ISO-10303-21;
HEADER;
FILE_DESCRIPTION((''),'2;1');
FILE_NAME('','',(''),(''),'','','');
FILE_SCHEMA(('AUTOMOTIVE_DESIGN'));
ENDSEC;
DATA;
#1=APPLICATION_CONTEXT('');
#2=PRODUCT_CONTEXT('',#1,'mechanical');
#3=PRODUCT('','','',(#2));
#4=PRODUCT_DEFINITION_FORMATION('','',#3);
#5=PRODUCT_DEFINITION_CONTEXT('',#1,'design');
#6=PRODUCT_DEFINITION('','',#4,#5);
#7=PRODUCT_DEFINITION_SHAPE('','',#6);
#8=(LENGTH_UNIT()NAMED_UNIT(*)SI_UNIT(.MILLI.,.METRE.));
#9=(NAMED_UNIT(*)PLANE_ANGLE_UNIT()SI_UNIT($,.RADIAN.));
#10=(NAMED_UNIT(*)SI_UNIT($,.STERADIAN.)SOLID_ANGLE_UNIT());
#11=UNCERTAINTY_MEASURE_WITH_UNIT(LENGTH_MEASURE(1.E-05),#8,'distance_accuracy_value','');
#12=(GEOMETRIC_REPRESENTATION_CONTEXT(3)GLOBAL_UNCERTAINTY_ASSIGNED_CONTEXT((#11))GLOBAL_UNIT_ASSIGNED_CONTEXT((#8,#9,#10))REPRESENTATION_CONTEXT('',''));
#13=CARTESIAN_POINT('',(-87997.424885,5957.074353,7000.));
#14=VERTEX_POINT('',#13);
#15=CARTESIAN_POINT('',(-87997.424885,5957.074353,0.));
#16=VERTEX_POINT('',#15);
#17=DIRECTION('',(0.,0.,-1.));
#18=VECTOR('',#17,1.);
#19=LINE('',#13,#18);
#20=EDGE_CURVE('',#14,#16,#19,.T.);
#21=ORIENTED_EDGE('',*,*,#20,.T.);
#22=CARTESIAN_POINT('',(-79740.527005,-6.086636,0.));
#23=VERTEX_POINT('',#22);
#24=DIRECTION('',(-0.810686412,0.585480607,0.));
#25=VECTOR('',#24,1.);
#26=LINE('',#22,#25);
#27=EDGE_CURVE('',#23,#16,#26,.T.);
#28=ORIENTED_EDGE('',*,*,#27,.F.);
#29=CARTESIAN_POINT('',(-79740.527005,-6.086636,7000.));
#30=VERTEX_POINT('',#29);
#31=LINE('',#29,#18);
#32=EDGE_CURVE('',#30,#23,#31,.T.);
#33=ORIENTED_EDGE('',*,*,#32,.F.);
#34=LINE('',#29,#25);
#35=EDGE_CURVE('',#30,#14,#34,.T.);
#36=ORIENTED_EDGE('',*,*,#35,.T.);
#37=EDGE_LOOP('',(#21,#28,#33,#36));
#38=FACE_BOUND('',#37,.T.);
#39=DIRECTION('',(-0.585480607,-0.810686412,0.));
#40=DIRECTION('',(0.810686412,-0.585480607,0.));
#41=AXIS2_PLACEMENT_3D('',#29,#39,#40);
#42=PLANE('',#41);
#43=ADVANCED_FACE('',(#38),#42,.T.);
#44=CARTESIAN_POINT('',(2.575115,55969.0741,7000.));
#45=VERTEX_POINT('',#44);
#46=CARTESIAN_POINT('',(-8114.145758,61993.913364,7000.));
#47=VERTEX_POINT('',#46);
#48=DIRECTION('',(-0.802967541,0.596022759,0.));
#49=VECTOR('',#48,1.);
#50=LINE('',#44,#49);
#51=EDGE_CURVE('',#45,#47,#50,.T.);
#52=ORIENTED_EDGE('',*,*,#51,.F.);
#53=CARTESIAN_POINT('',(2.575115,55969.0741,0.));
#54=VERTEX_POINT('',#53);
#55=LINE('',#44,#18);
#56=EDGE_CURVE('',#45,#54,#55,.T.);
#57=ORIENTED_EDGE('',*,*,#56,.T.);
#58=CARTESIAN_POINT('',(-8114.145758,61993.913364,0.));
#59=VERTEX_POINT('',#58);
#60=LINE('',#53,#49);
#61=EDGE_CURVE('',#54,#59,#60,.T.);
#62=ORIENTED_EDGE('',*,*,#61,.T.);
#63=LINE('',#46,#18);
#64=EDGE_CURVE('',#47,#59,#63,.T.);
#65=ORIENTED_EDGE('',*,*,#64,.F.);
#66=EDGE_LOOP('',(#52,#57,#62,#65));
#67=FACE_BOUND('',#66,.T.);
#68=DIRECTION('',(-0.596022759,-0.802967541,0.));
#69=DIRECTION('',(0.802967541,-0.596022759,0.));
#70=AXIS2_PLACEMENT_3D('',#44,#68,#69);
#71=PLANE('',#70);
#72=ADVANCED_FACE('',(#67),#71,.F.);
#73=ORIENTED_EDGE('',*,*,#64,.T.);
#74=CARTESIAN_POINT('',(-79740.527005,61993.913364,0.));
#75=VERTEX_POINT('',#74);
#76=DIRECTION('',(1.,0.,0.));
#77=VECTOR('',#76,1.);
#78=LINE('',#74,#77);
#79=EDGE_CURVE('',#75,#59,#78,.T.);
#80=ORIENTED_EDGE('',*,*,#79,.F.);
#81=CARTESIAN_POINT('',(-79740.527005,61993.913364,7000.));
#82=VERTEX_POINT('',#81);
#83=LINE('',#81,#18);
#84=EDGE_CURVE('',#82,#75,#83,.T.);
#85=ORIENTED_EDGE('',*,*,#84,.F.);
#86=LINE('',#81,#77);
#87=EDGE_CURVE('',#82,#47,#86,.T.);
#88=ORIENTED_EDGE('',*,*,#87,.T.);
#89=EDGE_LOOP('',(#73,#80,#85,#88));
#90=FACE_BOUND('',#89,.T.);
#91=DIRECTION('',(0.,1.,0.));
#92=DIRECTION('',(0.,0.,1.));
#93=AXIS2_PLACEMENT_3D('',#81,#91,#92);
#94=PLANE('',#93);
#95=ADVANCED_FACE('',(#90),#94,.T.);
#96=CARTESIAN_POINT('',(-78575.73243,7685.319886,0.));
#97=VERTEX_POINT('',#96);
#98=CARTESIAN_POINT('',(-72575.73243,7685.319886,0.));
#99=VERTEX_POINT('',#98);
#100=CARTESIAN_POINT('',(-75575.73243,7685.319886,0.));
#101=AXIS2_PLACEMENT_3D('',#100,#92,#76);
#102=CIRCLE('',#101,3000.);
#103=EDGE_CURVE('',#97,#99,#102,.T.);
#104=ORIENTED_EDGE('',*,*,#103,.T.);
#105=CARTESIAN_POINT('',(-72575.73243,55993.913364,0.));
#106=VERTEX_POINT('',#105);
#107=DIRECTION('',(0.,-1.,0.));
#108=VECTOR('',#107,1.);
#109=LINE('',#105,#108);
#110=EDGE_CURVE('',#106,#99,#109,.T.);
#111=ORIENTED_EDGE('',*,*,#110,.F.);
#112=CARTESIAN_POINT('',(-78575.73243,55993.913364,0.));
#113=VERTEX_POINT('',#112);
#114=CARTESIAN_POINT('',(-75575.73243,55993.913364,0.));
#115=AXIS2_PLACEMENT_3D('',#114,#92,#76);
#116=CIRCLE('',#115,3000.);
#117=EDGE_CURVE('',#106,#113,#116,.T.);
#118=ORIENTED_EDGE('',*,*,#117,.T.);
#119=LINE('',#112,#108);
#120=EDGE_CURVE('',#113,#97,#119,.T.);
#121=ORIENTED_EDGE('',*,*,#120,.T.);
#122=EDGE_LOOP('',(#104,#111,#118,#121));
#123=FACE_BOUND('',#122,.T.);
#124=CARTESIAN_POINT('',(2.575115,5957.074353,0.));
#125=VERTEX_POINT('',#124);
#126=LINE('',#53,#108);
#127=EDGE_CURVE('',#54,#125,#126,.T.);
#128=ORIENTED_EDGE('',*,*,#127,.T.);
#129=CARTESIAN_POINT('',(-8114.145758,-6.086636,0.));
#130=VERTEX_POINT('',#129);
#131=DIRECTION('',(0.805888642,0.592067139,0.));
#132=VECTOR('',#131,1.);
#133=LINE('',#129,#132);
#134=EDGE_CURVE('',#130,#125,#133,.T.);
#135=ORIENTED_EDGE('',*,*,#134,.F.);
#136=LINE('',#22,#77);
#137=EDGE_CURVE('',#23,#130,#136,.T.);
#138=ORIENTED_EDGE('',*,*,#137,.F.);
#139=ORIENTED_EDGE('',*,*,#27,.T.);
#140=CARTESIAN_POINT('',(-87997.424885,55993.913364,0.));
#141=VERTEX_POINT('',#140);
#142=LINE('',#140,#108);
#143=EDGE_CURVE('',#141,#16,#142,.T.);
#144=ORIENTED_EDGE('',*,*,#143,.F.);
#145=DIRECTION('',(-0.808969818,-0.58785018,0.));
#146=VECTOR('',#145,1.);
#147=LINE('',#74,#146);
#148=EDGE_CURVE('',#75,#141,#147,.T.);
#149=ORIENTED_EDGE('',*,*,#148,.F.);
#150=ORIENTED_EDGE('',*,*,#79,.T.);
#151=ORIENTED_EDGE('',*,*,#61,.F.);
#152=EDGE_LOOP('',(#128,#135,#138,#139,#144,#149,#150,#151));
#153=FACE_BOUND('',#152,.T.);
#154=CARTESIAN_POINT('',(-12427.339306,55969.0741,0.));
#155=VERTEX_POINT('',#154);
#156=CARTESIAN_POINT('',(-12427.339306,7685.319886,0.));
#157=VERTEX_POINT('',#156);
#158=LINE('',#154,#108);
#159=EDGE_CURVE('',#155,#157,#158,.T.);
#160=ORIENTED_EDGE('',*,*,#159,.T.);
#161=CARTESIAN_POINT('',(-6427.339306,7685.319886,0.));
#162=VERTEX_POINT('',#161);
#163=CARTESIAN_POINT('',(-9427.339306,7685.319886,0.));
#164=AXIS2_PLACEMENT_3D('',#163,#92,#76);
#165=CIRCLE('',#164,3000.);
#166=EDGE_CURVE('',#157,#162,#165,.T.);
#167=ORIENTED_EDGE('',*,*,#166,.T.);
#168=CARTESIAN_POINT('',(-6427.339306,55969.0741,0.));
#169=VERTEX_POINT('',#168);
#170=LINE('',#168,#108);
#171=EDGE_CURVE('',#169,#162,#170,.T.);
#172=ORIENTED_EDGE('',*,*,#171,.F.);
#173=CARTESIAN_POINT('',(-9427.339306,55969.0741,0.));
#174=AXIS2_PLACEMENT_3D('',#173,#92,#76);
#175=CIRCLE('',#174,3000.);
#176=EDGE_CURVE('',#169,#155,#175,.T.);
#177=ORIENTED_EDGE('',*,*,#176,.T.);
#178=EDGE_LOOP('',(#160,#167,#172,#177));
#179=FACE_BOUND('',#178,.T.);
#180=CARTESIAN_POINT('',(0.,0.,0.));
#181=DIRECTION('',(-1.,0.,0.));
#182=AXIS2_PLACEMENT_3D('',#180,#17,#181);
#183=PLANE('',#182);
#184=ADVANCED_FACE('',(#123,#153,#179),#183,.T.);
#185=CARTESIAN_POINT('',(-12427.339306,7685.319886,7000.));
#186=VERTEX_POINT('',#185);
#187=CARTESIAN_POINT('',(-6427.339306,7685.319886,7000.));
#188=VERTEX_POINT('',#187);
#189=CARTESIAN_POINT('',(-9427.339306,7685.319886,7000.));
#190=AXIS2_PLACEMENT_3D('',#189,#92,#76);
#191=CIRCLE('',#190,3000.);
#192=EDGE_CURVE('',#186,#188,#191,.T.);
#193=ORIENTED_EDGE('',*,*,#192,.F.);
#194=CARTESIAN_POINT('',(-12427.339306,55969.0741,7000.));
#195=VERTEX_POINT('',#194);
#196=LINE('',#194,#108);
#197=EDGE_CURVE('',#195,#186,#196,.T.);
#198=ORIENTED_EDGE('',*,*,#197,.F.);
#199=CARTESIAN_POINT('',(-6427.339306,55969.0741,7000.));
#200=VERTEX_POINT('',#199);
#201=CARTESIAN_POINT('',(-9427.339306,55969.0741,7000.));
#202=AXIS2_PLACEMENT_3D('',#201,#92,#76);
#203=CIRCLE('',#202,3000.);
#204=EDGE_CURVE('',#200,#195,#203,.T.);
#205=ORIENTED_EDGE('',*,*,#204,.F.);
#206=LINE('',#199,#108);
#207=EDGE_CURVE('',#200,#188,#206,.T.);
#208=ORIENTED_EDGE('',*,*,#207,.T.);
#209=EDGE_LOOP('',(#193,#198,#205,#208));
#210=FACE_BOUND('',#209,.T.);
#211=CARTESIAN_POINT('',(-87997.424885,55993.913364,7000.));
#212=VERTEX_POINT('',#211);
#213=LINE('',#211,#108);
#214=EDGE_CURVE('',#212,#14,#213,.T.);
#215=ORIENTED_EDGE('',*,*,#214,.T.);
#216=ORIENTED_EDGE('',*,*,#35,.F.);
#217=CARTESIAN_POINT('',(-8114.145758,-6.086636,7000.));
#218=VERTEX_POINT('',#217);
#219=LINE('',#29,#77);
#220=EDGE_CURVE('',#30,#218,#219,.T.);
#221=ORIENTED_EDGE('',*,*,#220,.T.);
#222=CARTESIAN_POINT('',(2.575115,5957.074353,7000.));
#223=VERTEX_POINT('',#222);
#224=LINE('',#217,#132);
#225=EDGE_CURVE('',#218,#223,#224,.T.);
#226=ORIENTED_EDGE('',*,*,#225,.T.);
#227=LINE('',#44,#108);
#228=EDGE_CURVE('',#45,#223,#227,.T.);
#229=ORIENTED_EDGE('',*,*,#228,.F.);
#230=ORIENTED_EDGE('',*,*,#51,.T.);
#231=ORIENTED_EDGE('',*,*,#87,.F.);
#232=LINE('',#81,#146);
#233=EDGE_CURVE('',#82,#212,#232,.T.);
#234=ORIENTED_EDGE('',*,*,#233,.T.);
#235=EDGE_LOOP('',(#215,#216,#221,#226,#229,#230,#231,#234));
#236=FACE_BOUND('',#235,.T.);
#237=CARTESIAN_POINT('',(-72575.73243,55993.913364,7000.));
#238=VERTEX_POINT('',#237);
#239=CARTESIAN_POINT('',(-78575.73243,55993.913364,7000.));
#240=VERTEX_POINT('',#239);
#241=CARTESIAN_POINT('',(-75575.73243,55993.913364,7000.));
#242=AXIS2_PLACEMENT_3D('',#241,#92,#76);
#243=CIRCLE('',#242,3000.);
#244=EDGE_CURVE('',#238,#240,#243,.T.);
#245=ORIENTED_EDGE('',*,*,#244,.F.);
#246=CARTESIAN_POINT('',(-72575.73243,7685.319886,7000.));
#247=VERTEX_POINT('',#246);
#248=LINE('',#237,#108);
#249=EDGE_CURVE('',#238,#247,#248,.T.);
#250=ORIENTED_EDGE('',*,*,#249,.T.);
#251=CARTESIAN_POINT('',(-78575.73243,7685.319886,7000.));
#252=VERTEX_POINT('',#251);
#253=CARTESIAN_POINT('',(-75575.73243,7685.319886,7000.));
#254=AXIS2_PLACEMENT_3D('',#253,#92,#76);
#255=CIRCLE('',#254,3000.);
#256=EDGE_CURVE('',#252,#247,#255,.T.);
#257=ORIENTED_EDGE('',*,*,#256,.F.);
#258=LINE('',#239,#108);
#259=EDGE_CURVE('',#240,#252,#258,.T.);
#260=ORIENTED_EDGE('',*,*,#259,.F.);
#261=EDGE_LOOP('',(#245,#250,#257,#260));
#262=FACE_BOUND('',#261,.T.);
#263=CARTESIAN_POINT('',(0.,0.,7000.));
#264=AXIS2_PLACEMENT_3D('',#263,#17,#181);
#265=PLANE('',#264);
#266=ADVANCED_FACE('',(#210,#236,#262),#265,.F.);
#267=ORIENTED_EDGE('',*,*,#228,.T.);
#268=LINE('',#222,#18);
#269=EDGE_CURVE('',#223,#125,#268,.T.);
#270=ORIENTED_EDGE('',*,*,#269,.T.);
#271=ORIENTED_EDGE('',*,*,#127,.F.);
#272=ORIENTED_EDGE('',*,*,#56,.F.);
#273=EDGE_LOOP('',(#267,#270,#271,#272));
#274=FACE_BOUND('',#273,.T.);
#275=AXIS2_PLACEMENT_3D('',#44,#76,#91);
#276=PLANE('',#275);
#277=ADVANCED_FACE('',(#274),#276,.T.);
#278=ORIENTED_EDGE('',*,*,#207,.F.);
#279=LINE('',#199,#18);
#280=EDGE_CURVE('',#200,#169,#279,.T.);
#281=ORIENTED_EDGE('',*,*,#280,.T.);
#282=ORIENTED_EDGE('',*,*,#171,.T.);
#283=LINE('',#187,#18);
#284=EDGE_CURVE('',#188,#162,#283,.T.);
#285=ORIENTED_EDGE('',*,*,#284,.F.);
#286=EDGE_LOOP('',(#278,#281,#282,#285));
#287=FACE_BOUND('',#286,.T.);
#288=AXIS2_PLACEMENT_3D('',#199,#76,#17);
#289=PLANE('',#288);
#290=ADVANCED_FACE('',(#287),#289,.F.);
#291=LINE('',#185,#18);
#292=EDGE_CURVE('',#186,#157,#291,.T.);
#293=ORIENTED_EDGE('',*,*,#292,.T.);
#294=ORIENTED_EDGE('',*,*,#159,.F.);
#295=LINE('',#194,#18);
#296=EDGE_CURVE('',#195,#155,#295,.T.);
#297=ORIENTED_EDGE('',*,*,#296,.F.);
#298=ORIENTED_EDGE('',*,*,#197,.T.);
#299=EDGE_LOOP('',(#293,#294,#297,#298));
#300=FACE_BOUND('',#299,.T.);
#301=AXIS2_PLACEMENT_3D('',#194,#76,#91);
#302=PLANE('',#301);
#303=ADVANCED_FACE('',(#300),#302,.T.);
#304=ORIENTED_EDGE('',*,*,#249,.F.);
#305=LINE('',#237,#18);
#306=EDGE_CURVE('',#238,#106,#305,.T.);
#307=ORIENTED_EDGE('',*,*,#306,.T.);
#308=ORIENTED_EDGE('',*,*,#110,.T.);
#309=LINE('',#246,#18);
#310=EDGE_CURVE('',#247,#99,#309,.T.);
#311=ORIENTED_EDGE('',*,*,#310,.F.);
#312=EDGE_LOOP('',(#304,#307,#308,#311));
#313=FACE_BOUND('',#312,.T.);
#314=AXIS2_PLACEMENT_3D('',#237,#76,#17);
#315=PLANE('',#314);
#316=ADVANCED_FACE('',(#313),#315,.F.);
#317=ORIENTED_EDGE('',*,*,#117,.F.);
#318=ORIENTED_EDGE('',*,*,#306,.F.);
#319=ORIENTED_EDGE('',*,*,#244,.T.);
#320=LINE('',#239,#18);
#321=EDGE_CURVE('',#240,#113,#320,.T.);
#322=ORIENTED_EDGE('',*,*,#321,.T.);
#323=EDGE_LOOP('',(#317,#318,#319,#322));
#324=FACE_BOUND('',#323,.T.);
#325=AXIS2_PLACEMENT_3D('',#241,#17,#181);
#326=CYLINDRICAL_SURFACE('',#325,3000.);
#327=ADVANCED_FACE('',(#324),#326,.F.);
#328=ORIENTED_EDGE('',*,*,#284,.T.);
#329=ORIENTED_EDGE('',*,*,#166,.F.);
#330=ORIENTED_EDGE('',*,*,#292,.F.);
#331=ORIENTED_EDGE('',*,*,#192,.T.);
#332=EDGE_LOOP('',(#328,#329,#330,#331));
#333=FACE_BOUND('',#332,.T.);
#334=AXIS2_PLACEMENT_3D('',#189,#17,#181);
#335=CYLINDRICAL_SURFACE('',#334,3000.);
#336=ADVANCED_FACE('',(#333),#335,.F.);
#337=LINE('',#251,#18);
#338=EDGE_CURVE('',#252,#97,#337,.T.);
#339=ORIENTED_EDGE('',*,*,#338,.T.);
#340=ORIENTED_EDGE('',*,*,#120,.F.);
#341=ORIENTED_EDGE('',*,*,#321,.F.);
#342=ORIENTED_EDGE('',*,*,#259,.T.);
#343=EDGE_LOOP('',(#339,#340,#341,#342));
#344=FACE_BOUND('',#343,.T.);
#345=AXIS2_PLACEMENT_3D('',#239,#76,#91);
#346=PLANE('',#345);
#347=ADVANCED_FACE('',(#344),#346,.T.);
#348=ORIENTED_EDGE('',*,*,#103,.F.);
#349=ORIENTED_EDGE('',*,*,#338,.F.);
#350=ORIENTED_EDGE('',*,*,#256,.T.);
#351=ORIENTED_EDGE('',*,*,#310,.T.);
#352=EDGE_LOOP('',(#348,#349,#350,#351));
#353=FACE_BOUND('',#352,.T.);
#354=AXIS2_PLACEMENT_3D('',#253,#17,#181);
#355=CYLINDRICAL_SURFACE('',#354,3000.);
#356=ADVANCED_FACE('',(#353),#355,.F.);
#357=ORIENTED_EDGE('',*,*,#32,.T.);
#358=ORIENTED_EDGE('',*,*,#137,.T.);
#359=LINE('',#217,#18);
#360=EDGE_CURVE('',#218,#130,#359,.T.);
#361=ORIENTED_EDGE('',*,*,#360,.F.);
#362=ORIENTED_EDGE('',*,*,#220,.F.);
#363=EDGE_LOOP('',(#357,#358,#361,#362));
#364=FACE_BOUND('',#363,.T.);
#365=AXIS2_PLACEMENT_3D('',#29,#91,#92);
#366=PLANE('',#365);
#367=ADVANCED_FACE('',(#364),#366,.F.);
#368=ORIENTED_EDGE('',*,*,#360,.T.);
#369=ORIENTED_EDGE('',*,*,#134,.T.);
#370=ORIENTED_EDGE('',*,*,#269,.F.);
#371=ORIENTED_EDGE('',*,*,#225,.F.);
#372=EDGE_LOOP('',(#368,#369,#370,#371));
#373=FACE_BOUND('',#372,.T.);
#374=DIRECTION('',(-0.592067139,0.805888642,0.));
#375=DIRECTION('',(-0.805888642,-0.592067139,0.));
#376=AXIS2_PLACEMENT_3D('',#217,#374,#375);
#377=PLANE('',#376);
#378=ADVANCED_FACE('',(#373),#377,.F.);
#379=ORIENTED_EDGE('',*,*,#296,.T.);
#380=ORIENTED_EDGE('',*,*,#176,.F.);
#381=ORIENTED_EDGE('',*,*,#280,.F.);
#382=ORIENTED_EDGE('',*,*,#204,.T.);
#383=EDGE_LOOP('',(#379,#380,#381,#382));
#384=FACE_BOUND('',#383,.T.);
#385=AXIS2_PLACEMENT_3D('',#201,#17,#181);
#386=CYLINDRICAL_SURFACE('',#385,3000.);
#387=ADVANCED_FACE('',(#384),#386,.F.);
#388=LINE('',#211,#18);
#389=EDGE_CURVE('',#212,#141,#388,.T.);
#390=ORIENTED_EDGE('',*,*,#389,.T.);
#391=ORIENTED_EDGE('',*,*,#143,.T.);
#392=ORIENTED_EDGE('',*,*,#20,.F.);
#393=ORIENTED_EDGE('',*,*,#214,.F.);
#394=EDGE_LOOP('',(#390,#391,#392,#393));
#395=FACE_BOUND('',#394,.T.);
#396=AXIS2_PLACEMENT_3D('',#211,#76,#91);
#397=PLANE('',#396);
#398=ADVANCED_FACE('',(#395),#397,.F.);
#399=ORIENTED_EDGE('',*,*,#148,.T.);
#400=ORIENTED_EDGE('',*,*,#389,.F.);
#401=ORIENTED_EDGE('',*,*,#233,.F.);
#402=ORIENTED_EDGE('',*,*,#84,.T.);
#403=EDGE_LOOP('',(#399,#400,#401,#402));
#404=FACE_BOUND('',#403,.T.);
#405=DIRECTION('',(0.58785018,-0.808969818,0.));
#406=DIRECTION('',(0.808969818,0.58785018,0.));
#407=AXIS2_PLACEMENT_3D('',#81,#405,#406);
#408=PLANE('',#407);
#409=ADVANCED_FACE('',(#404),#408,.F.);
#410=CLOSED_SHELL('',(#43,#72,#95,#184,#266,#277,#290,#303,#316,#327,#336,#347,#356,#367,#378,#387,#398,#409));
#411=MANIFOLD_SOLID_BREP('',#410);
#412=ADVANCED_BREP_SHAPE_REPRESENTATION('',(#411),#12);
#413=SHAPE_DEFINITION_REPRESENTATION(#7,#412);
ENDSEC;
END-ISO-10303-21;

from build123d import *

# Parameters (mm, degrees)
BOSS_EXTRUDE1_DEPTH = 7000


with BuildPart() as part:
    # Sketch1 → Boss-Extrude1 (new body)
    with BuildSketch(Plane.XY):
        Polygon((-79740.527004551, 61993.913364055), (-8114.145758192, 61993.913364055), (2.575115207, 55969.074099511), (2.575115207, 5957.074352856), (-8114.145758192, -6.086635945), (-79740.527004551, -6.086635945), (-87997.424884793, 5957.074352856), (-87997.424884793, 55993.913364055), align=None)
        with BuildLine():
            Line((-72575.73242965, 55993.913364055), (-72575.73242965, 7685.319886443))
            ThreePointArc((-72575.73242965, 7685.319886443), (-75575.73242965, 4685.319886443), (-78575.73242965, 7685.319886443))
            Line((-78575.73242965, 7685.319886443), (-78575.73242965, 55993.913364055))
            ThreePointArc((-78575.73242965, 55993.913364055), (-75575.73242965, 58993.913364055), (-72575.73242965, 55993.913364055))
        make_face(mode=Mode.SUBTRACT)
        with BuildLine():
            Line((-6427.339306355, 55969.074099511), (-6427.339306355, 7685.319886443))
            ThreePointArc((-6427.339306355, 7685.319886443), (-9427.339306355, 4685.319886443), (-12427.339306355, 7685.319886443))
            Line((-12427.339306355, 7685.319886443), (-12427.339306355, 55969.074099511))
            ThreePointArc((-12427.339306355, 55969.074099511), (-9427.339306355, 58969.074099511), (-6427.339306355, 55969.074099511))
        make_face(mode=Mode.SUBTRACT)
    extrude(amount=BOSS_EXTRUDE1_DEPTH)


solid = part.part
